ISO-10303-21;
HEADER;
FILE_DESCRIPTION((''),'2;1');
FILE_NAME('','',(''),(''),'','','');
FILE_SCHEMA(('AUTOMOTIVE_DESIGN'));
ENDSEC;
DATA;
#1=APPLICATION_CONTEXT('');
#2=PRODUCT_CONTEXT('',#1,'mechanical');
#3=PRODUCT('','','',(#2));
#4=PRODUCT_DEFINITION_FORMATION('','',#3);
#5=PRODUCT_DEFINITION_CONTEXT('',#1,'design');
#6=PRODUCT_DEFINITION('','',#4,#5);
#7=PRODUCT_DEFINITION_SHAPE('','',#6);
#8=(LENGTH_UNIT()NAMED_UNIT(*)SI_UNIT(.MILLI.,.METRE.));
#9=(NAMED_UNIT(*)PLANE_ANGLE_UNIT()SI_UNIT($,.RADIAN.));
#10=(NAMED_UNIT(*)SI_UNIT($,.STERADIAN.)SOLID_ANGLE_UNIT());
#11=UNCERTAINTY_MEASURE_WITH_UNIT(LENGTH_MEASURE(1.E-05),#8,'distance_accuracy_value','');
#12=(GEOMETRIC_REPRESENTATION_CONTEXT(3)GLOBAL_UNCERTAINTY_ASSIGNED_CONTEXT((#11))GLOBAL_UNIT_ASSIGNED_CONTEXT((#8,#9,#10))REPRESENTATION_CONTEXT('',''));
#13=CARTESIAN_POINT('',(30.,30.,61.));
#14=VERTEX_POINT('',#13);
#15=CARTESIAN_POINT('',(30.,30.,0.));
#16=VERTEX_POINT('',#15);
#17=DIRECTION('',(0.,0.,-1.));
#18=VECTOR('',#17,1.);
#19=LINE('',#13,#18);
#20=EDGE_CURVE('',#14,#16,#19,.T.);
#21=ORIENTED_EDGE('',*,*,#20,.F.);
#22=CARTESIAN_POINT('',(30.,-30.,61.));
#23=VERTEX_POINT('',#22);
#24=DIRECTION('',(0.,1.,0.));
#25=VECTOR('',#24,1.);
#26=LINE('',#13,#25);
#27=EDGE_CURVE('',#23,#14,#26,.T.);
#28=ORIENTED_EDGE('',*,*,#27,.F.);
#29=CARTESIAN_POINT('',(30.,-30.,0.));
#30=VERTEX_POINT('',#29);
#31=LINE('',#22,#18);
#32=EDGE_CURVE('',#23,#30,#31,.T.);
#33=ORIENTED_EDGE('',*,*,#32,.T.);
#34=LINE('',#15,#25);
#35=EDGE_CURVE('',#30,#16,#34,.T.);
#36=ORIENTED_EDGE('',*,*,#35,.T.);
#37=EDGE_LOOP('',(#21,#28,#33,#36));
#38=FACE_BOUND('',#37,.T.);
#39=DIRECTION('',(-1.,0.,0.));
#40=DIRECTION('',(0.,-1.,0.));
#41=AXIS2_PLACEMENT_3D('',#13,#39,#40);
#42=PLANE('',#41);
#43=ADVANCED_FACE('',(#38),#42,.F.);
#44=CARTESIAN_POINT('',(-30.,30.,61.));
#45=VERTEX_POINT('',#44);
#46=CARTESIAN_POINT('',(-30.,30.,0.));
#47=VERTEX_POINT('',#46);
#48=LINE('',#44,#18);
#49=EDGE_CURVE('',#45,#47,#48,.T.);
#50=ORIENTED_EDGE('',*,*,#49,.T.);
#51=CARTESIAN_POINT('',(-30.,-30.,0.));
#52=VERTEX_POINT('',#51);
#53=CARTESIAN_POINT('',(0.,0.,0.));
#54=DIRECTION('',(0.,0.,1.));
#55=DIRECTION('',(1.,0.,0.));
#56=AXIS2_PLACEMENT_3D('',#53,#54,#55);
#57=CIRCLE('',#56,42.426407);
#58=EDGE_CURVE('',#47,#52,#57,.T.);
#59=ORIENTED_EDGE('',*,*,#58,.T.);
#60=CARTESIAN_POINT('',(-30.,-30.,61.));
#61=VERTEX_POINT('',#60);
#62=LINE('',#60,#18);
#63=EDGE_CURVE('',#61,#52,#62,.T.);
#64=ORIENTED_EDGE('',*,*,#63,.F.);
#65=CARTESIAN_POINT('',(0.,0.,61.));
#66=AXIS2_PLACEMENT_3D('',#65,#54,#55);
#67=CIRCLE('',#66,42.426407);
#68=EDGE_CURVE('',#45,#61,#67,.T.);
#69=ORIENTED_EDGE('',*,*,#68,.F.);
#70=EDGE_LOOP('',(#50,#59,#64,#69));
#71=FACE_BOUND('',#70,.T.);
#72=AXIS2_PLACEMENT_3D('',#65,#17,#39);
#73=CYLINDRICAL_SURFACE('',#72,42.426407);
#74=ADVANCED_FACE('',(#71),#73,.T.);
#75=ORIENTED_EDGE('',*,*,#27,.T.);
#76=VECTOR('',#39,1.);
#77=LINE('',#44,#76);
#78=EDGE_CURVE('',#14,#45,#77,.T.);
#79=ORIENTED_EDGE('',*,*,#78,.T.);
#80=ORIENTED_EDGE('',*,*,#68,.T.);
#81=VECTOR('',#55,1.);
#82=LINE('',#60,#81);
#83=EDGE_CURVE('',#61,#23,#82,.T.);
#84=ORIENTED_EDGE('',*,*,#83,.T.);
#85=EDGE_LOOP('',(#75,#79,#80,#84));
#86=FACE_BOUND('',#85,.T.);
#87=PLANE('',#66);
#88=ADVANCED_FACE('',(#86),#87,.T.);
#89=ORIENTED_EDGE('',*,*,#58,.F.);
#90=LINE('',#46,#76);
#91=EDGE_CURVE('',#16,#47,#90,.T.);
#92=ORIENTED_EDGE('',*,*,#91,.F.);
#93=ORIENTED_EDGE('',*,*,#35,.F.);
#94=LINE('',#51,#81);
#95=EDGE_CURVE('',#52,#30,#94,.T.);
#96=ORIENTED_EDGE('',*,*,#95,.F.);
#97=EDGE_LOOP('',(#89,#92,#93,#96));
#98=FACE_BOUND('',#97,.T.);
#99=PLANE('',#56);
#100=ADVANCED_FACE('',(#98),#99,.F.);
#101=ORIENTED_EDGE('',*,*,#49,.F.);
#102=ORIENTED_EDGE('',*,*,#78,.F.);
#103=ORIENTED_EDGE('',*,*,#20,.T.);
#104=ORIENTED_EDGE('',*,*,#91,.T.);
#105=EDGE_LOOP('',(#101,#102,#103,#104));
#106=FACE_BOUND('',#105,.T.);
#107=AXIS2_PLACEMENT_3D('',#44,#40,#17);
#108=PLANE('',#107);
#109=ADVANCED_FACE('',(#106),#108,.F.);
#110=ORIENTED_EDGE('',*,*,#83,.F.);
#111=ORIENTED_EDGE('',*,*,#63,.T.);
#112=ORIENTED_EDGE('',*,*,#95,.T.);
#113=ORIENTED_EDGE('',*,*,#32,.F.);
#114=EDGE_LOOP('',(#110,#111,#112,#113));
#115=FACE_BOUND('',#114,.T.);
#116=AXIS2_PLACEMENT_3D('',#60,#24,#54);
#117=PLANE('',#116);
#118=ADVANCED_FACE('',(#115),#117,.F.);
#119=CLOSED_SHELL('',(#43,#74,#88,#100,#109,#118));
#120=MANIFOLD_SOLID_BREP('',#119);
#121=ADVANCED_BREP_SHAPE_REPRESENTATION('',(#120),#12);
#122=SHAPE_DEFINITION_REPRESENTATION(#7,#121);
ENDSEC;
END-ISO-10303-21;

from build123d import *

# Parameters (mm, degrees)
BOSS_EXTRUDE1_DEPTH = 61


with BuildPart() as part:
    # Sketch1 → Boss-Extrude1 (new body)
    with BuildSketch(Plane.XY):
        with BuildLine():
            Line((-30, 30), (30, 30))
            Line((30, 30), (30, -30))
            Line((30, -30), (-30, -30))
            ThreePointArc((-30, -30), (-42.426406871, 0), (-30, 30))
        make_face()
    extrude(amount=BOSS_EXTRUDE1_DEPTH)


solid = part.part
